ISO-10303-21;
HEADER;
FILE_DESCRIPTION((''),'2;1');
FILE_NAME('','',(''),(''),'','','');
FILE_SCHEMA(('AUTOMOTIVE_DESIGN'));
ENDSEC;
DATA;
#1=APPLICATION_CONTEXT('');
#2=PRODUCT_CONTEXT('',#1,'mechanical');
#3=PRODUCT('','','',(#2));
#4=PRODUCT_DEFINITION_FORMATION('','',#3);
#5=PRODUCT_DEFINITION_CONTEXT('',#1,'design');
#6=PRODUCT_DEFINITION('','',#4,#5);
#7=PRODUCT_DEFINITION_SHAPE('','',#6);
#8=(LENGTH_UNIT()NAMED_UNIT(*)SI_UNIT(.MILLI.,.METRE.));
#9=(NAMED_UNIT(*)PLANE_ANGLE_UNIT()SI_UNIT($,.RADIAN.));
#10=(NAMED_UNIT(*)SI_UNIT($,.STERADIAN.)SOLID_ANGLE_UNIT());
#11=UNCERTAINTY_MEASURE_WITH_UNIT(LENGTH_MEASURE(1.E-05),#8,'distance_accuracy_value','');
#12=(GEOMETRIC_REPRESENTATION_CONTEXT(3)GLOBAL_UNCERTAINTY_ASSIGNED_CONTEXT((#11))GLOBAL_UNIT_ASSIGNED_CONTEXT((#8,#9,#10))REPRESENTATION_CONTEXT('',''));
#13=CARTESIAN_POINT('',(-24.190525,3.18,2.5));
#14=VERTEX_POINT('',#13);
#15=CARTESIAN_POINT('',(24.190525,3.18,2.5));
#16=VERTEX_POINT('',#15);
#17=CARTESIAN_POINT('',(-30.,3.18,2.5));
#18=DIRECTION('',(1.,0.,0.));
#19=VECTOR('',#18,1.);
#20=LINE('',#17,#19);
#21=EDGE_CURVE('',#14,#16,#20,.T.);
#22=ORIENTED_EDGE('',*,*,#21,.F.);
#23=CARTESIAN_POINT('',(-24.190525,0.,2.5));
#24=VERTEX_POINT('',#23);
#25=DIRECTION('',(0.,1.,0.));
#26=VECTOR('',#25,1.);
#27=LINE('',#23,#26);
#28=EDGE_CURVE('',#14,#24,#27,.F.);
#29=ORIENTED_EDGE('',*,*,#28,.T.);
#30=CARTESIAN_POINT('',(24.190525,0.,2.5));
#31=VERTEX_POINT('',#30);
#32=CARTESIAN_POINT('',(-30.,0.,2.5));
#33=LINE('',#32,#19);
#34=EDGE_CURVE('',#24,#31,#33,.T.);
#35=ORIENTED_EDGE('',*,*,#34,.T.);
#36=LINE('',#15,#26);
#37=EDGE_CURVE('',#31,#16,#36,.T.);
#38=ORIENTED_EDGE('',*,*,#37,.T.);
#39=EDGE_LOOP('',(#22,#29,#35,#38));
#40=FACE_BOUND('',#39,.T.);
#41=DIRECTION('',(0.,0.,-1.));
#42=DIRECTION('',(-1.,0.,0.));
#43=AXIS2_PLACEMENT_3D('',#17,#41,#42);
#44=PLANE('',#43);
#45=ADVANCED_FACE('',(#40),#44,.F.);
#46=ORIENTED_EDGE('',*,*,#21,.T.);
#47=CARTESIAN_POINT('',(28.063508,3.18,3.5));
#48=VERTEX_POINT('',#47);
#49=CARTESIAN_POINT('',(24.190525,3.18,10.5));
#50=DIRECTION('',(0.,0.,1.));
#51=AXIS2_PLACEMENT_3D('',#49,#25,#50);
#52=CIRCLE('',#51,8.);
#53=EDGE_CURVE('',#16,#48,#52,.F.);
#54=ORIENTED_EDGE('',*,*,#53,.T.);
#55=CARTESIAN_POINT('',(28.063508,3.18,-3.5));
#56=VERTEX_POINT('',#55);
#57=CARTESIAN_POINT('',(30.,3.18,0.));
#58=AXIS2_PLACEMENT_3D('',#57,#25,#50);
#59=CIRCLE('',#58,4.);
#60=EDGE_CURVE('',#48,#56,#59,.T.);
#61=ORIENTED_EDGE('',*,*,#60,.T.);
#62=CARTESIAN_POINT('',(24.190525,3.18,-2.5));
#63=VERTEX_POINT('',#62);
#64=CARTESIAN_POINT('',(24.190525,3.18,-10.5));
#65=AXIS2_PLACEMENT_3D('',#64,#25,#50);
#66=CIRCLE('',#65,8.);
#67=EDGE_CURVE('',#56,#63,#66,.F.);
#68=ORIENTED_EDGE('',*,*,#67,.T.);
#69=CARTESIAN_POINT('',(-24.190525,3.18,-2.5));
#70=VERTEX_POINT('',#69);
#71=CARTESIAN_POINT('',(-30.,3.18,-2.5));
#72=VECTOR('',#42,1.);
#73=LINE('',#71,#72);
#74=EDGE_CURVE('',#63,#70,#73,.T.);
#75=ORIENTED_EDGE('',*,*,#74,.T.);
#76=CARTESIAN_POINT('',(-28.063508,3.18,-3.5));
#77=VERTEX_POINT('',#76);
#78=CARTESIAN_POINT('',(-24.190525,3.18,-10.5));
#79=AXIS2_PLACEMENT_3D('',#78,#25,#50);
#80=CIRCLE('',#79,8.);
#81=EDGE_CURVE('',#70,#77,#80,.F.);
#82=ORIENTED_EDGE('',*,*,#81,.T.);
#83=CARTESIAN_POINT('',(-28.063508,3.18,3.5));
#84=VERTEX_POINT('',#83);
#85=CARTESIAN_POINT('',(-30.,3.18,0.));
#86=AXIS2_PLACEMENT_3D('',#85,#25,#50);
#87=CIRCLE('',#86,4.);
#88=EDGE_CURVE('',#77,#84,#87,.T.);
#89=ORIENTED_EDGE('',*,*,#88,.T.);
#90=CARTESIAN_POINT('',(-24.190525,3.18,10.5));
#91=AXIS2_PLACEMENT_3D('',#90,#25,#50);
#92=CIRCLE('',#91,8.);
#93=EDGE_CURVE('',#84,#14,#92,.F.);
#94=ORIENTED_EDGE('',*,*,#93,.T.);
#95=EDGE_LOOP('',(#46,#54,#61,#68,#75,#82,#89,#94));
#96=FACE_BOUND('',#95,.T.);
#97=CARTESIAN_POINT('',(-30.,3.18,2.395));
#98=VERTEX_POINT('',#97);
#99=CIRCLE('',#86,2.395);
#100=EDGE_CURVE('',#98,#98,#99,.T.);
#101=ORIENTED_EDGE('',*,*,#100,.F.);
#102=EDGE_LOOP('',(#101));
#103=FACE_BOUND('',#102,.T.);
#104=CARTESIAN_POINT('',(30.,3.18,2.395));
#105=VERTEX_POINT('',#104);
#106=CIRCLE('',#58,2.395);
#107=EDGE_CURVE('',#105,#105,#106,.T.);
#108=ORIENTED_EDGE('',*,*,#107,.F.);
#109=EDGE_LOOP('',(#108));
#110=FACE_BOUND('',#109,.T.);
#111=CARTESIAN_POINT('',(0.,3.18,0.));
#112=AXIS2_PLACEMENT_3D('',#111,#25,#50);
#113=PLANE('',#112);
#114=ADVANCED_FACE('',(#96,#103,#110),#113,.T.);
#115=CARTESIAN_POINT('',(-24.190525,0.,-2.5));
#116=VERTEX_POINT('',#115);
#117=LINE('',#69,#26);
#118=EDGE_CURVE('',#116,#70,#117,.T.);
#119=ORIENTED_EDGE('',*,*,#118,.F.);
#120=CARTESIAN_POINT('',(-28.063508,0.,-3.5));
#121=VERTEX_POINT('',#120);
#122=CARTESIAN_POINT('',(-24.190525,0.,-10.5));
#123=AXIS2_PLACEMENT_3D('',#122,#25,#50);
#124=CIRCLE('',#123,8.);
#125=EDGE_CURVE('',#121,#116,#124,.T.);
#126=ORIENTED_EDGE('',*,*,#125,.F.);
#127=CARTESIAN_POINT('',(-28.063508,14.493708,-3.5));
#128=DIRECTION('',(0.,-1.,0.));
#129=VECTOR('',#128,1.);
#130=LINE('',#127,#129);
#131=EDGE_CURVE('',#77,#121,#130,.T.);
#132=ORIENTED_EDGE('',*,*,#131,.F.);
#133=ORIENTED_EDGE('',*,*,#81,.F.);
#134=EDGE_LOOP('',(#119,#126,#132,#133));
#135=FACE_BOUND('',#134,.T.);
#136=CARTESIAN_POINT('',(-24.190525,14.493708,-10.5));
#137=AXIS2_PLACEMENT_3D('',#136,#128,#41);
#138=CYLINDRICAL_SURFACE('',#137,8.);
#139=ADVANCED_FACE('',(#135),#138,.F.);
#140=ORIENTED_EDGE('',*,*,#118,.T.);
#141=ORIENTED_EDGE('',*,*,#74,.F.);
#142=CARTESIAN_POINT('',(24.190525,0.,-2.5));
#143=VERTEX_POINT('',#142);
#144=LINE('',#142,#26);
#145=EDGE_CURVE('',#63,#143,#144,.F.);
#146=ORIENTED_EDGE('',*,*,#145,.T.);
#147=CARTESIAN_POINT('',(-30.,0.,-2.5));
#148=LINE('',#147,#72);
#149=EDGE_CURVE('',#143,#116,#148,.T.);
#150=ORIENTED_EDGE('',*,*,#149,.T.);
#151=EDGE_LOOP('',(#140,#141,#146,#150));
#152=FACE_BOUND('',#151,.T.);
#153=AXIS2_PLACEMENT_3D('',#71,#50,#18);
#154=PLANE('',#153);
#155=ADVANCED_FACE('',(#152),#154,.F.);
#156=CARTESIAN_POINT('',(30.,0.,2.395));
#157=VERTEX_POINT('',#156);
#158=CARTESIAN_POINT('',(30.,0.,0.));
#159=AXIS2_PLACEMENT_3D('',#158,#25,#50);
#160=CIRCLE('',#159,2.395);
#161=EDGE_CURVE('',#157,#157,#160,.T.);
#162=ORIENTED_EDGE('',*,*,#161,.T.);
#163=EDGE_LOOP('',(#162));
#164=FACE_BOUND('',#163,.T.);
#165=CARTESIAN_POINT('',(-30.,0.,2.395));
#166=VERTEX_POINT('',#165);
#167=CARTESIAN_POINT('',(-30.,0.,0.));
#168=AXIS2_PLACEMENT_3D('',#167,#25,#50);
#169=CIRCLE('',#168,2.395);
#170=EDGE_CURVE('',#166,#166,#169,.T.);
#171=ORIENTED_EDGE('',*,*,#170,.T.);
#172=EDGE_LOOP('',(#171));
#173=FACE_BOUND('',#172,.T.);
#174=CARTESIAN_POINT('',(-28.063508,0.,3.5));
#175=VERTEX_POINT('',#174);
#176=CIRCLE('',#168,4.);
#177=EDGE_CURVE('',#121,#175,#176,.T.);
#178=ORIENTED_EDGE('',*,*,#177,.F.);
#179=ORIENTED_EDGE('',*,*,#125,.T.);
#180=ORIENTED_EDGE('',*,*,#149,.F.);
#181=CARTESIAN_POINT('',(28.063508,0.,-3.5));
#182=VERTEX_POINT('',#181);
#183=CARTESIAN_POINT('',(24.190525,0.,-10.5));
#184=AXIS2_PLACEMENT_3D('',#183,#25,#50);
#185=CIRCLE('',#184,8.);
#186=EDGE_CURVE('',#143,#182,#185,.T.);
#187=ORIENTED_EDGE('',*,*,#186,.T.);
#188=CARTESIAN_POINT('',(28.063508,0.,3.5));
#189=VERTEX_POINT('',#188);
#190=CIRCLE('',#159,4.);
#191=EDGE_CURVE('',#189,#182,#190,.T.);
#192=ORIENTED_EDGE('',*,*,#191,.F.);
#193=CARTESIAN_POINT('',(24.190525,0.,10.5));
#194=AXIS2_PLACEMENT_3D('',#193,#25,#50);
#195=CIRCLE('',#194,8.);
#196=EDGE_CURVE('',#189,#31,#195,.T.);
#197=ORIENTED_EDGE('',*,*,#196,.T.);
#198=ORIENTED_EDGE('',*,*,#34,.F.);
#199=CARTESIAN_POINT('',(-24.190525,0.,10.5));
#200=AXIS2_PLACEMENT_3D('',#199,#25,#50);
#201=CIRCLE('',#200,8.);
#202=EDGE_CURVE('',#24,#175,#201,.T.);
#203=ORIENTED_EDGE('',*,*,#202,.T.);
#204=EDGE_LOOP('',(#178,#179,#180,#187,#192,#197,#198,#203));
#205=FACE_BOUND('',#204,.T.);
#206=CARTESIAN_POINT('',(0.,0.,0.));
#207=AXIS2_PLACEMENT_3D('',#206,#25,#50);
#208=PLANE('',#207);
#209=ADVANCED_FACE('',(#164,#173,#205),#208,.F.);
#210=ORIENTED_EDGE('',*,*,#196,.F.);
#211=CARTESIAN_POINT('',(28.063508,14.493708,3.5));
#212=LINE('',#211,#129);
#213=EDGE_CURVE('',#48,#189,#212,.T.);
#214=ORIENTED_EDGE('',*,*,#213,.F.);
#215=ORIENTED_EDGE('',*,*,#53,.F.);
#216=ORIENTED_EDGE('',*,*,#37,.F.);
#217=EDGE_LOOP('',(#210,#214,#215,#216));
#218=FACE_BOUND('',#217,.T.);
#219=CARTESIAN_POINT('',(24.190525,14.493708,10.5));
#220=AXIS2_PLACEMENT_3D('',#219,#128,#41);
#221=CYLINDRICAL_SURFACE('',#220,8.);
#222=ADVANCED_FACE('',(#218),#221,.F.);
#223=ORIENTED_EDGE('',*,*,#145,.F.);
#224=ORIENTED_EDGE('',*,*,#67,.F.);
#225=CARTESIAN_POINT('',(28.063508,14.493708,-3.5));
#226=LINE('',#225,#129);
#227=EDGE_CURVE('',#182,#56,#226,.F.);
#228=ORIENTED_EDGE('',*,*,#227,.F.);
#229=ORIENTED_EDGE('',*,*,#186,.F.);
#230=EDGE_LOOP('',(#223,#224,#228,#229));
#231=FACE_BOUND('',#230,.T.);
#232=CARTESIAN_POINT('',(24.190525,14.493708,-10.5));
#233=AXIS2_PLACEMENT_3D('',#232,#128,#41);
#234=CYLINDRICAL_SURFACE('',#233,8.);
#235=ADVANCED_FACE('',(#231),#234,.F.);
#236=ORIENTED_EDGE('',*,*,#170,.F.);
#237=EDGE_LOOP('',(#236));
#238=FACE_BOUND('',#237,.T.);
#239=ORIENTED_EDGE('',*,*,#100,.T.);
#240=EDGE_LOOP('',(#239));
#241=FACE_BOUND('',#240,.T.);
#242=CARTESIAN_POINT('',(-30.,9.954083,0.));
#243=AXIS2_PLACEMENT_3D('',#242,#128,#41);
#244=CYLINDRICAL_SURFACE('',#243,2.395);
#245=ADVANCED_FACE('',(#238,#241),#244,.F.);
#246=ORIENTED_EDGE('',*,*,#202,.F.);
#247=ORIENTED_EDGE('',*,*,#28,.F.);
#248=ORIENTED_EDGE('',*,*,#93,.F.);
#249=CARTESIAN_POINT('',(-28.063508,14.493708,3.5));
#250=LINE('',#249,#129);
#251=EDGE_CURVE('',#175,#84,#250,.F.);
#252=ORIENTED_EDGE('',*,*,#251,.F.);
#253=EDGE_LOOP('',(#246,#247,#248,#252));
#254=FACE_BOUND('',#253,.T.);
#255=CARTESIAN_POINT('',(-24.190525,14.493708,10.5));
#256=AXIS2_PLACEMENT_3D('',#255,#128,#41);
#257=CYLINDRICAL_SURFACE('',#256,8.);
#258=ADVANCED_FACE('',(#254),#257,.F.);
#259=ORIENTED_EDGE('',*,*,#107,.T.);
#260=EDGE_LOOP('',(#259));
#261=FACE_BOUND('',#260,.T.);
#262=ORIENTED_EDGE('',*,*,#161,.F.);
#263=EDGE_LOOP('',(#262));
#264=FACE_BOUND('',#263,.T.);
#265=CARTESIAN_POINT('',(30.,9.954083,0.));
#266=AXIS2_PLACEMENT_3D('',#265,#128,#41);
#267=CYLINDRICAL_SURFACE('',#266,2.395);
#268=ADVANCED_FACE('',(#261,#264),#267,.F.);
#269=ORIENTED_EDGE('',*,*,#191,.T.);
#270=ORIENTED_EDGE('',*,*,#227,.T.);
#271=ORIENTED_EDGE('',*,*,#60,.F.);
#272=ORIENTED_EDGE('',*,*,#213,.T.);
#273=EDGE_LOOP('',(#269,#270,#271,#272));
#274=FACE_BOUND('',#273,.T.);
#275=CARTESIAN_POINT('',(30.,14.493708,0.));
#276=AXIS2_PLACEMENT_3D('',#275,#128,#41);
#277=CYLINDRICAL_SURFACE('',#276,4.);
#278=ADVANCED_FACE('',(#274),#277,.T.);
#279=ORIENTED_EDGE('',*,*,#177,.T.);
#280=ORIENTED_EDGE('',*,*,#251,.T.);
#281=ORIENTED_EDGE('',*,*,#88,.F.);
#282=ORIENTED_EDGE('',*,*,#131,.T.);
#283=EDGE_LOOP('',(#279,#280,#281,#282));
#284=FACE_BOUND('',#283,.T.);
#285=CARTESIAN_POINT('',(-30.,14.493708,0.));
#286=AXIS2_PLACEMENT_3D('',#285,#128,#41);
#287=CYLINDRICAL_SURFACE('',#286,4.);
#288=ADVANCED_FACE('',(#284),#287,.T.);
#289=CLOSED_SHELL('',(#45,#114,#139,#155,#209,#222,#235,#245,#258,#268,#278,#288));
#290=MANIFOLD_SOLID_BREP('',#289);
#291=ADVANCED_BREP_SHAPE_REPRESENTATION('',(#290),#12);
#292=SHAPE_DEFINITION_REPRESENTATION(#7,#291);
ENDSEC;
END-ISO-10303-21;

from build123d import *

# Parameters (mm, degrees)
SKETCH_1_W          = 60
SKETCH_1_H          = 5
EXTRUDE_1_DEPTH     = 3.18
SKETCH_2_R          = 4
EXTRUDE_2_DEPTH     = 3.18
SKETCH_3_R          = 2.395
CUT_EXTRUDE_1_DEPTH = 3.18
FILLET_3_R          = 8
FILLET_4_R          = 8
FILLET_5_R          = 8


with BuildPart() as part:
    # 草图1 → 凸台-拉伸1 (new body)
    with BuildSketch(Plane(origin=(0, 0, 0), x_dir=(1, 0, 0), z_dir=(0, 1, 0))):
        Rectangle(SKETCH_1_W, SKETCH_1_H)
    extrude(amount=EXTRUDE_1_DEPTH)

    # 草图2 → 凸台-拉伸2 (add)
    with BuildSketch(Plane(origin=(0, 0, 0), x_dir=(1, 0, 0), z_dir=(0, 1, 0))):
        with Locations((30, 0)):
            Circle(SKETCH_2_R)
        with Locations((-30, 0)):
            Circle(SKETCH_2_R)
    extrude(amount=EXTRUDE_2_DEPTH)

    # 草图3 → 切除-拉伸1 (cut)
    with BuildSketch(Plane(origin=(0, 0, 0), x_dir=(1, 0, 0), z_dir=(0, 1, 0))):
        with Locations(Location((30, 0, 0), (0, 0, 270))):
            Circle(SKETCH_3_R)
        with Locations(Location((-30, 0, 0), (0, 0, 270))):
            Circle(SKETCH_3_R)
    extrude(amount=CUT_EXTRUDE_1_DEPTH, mode=Mode.SUBTRACT)

    # 圆角3
    fillet_3_edges = [part.edges().sort_by_distance(p)[0] for p in [
        (-26.877501001, 1.59, -2.5),
    ]]
    fillet(fillet_3_edges, radius=FILLET_3_R)

    # 圆角4
    fillet_4_edges = [part.edges().sort_by_distance(p)[0] for p in [
        (-26.877501001, 1.59, 2.5),
    ]]
    fillet(fillet_4_edges, radius=FILLET_4_R)

    # 圆角5
    fillet_5_edges = [part.edges().sort_by_distance(p)[0] for p in [
        (26.877501001, 1.59, -2.5),
        (26.877501001, 1.59, 2.5),
    ]]
    fillet(fillet_5_edges, radius=FILLET_5_R)


solid = part.part
